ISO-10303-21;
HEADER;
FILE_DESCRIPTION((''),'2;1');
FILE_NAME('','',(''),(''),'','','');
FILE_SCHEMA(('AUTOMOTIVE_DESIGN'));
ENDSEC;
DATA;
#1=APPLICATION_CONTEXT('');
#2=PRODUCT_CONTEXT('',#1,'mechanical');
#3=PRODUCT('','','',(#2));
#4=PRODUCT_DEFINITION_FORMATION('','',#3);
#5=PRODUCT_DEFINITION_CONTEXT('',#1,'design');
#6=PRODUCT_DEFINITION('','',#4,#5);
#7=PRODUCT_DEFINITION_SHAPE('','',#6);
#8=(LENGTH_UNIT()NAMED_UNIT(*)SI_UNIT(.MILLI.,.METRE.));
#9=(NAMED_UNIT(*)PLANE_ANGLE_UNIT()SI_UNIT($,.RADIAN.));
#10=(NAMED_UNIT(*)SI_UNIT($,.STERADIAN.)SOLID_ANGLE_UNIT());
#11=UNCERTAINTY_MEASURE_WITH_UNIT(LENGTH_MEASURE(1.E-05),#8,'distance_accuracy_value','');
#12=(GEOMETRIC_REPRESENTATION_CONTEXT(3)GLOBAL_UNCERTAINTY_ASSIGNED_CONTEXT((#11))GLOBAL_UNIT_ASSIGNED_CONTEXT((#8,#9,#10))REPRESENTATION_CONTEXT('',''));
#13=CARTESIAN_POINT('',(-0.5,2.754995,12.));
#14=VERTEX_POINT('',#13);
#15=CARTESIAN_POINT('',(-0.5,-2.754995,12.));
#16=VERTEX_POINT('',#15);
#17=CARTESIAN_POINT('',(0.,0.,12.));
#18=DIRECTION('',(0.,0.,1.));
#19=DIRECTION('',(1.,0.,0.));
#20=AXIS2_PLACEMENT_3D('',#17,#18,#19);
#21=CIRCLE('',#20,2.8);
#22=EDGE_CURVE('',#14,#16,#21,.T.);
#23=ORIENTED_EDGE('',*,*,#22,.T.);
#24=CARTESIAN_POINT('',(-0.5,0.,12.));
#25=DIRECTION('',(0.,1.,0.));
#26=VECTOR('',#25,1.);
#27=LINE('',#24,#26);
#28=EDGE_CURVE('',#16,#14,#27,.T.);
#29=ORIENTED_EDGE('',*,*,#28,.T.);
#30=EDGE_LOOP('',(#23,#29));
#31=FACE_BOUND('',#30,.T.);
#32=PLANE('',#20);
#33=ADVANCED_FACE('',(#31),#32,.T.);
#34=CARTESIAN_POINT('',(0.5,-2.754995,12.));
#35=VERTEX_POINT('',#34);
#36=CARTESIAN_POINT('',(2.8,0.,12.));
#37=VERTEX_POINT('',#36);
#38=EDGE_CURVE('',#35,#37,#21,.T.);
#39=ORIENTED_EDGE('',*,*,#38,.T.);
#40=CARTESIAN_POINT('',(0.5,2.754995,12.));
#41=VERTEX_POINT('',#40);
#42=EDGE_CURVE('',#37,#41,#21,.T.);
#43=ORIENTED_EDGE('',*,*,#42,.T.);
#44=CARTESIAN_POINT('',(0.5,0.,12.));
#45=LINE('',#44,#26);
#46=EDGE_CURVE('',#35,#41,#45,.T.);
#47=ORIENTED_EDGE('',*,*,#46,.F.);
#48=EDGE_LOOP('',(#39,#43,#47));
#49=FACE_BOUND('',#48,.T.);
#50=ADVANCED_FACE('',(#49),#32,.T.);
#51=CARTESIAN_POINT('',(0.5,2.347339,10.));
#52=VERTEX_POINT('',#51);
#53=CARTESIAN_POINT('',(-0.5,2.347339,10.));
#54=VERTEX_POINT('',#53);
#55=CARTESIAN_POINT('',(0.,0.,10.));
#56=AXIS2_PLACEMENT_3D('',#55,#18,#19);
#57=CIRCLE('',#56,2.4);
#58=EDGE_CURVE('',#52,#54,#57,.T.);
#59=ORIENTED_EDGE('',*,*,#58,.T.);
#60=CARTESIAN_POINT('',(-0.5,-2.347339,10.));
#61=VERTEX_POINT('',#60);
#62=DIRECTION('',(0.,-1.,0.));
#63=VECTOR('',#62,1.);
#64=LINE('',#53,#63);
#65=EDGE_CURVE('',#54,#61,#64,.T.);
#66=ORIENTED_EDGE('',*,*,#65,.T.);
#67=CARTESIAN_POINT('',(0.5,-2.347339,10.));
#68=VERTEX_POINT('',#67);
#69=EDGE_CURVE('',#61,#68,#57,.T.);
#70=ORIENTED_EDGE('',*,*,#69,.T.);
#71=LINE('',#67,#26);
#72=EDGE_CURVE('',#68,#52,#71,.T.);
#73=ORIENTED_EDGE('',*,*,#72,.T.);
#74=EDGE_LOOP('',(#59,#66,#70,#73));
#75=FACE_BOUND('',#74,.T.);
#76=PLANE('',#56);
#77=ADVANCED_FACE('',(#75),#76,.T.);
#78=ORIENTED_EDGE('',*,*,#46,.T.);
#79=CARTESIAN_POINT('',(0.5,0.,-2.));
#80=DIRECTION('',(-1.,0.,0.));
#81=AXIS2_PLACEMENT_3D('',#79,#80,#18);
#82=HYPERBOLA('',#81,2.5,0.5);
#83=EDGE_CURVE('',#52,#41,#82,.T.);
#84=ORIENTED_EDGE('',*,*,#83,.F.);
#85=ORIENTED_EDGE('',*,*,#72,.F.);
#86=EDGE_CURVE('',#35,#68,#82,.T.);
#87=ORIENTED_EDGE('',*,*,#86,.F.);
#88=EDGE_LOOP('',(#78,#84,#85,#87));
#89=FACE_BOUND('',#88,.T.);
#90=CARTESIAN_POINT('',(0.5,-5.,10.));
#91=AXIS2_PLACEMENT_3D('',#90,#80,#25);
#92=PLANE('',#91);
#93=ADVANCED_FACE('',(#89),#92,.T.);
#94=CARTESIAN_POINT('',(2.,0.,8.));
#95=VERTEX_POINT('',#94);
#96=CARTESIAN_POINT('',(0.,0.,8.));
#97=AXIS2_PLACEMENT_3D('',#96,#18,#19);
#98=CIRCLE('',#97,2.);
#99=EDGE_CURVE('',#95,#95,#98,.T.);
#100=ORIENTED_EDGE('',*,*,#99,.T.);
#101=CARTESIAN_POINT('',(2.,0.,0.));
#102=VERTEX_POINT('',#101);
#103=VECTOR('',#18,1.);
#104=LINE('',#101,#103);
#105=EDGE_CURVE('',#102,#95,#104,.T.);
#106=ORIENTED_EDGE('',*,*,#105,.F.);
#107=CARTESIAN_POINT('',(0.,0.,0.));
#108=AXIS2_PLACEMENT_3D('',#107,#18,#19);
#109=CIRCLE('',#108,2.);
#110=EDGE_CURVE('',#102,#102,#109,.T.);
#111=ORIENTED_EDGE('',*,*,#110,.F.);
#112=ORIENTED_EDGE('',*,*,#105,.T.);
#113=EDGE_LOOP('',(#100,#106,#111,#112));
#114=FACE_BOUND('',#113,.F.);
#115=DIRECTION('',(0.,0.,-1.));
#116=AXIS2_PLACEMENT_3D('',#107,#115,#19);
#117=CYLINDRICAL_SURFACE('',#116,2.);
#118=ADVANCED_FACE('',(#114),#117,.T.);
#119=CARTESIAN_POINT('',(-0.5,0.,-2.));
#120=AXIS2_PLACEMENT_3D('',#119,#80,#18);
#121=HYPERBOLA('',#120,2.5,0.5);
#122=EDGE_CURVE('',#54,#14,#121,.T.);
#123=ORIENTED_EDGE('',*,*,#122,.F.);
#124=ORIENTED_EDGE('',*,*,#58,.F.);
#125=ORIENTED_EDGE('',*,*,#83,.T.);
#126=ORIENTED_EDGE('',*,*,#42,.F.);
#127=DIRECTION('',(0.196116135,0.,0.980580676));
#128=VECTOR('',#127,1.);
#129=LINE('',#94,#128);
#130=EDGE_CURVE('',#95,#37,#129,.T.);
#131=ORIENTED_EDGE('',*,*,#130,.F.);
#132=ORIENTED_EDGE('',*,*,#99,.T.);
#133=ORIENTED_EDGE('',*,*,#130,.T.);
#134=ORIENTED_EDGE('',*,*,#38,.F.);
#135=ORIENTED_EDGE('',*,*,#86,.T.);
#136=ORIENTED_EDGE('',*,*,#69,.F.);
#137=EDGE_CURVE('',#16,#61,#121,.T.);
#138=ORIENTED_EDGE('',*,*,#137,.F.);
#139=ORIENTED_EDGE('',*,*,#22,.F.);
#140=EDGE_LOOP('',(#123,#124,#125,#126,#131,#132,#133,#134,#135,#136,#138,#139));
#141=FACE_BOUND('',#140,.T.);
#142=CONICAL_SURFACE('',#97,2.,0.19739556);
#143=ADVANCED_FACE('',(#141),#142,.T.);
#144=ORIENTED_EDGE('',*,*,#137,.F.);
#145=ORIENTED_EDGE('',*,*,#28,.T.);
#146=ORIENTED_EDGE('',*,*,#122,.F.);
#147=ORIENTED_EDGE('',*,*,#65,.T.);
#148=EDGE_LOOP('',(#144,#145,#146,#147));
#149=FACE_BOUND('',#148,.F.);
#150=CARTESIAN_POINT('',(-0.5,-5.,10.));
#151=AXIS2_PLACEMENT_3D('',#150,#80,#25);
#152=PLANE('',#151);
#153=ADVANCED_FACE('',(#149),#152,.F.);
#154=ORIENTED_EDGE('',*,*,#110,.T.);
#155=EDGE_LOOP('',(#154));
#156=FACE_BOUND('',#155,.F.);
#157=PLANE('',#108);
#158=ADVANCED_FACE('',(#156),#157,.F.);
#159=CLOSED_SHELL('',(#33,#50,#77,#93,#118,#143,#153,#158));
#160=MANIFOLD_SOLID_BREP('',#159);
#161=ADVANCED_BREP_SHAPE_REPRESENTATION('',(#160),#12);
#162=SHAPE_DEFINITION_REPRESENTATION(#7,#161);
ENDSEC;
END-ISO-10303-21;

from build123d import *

# Parameters (mm, degrees)
BOX_W          = 1
BOX_H          = 10
BOX_DEPTH      = 2
CYLINDER_R     = 2
CYLINDER_DEPTH = 10


with BuildPart() as cubo:
    # Box → Box (new body)
    with BuildSketch(Plane(origin=(-0.5, -5, 10), x_dir=(1, 0, 0), z_dir=(0, 0, 1))):
        with Locations((0.5, 5)):
            Rectangle(BOX_W, BOX_H)
    extrude(amount=BOX_DEPTH)


with BuildPart() as cut:
    # Cone → Cone (revolve)
    with BuildSketch(Plane(origin=(0, 0, 8), x_dir=(1, 0, 0), z_dir=(0, -1, 0))):
        Polygon((0, 0), (2, 0), (2.8, 4), (0, 4), align=None)
    revolve(axis=Axis((0, 0, 8), (0, 0, 1)))

    # Cut: cut Cubo
    add(cubo.part, mode=Mode.SUBTRACT)


with BuildPart() as fusion:
    # Cylinder → Cylinder (new body)
    with BuildSketch(Plane.XY):
        Circle(CYLINDER_R)
    extrude(amount=CYLINDER_DEPTH)

    # Fusion: union Cut
    add(cut.part)


solid = fusion.part
